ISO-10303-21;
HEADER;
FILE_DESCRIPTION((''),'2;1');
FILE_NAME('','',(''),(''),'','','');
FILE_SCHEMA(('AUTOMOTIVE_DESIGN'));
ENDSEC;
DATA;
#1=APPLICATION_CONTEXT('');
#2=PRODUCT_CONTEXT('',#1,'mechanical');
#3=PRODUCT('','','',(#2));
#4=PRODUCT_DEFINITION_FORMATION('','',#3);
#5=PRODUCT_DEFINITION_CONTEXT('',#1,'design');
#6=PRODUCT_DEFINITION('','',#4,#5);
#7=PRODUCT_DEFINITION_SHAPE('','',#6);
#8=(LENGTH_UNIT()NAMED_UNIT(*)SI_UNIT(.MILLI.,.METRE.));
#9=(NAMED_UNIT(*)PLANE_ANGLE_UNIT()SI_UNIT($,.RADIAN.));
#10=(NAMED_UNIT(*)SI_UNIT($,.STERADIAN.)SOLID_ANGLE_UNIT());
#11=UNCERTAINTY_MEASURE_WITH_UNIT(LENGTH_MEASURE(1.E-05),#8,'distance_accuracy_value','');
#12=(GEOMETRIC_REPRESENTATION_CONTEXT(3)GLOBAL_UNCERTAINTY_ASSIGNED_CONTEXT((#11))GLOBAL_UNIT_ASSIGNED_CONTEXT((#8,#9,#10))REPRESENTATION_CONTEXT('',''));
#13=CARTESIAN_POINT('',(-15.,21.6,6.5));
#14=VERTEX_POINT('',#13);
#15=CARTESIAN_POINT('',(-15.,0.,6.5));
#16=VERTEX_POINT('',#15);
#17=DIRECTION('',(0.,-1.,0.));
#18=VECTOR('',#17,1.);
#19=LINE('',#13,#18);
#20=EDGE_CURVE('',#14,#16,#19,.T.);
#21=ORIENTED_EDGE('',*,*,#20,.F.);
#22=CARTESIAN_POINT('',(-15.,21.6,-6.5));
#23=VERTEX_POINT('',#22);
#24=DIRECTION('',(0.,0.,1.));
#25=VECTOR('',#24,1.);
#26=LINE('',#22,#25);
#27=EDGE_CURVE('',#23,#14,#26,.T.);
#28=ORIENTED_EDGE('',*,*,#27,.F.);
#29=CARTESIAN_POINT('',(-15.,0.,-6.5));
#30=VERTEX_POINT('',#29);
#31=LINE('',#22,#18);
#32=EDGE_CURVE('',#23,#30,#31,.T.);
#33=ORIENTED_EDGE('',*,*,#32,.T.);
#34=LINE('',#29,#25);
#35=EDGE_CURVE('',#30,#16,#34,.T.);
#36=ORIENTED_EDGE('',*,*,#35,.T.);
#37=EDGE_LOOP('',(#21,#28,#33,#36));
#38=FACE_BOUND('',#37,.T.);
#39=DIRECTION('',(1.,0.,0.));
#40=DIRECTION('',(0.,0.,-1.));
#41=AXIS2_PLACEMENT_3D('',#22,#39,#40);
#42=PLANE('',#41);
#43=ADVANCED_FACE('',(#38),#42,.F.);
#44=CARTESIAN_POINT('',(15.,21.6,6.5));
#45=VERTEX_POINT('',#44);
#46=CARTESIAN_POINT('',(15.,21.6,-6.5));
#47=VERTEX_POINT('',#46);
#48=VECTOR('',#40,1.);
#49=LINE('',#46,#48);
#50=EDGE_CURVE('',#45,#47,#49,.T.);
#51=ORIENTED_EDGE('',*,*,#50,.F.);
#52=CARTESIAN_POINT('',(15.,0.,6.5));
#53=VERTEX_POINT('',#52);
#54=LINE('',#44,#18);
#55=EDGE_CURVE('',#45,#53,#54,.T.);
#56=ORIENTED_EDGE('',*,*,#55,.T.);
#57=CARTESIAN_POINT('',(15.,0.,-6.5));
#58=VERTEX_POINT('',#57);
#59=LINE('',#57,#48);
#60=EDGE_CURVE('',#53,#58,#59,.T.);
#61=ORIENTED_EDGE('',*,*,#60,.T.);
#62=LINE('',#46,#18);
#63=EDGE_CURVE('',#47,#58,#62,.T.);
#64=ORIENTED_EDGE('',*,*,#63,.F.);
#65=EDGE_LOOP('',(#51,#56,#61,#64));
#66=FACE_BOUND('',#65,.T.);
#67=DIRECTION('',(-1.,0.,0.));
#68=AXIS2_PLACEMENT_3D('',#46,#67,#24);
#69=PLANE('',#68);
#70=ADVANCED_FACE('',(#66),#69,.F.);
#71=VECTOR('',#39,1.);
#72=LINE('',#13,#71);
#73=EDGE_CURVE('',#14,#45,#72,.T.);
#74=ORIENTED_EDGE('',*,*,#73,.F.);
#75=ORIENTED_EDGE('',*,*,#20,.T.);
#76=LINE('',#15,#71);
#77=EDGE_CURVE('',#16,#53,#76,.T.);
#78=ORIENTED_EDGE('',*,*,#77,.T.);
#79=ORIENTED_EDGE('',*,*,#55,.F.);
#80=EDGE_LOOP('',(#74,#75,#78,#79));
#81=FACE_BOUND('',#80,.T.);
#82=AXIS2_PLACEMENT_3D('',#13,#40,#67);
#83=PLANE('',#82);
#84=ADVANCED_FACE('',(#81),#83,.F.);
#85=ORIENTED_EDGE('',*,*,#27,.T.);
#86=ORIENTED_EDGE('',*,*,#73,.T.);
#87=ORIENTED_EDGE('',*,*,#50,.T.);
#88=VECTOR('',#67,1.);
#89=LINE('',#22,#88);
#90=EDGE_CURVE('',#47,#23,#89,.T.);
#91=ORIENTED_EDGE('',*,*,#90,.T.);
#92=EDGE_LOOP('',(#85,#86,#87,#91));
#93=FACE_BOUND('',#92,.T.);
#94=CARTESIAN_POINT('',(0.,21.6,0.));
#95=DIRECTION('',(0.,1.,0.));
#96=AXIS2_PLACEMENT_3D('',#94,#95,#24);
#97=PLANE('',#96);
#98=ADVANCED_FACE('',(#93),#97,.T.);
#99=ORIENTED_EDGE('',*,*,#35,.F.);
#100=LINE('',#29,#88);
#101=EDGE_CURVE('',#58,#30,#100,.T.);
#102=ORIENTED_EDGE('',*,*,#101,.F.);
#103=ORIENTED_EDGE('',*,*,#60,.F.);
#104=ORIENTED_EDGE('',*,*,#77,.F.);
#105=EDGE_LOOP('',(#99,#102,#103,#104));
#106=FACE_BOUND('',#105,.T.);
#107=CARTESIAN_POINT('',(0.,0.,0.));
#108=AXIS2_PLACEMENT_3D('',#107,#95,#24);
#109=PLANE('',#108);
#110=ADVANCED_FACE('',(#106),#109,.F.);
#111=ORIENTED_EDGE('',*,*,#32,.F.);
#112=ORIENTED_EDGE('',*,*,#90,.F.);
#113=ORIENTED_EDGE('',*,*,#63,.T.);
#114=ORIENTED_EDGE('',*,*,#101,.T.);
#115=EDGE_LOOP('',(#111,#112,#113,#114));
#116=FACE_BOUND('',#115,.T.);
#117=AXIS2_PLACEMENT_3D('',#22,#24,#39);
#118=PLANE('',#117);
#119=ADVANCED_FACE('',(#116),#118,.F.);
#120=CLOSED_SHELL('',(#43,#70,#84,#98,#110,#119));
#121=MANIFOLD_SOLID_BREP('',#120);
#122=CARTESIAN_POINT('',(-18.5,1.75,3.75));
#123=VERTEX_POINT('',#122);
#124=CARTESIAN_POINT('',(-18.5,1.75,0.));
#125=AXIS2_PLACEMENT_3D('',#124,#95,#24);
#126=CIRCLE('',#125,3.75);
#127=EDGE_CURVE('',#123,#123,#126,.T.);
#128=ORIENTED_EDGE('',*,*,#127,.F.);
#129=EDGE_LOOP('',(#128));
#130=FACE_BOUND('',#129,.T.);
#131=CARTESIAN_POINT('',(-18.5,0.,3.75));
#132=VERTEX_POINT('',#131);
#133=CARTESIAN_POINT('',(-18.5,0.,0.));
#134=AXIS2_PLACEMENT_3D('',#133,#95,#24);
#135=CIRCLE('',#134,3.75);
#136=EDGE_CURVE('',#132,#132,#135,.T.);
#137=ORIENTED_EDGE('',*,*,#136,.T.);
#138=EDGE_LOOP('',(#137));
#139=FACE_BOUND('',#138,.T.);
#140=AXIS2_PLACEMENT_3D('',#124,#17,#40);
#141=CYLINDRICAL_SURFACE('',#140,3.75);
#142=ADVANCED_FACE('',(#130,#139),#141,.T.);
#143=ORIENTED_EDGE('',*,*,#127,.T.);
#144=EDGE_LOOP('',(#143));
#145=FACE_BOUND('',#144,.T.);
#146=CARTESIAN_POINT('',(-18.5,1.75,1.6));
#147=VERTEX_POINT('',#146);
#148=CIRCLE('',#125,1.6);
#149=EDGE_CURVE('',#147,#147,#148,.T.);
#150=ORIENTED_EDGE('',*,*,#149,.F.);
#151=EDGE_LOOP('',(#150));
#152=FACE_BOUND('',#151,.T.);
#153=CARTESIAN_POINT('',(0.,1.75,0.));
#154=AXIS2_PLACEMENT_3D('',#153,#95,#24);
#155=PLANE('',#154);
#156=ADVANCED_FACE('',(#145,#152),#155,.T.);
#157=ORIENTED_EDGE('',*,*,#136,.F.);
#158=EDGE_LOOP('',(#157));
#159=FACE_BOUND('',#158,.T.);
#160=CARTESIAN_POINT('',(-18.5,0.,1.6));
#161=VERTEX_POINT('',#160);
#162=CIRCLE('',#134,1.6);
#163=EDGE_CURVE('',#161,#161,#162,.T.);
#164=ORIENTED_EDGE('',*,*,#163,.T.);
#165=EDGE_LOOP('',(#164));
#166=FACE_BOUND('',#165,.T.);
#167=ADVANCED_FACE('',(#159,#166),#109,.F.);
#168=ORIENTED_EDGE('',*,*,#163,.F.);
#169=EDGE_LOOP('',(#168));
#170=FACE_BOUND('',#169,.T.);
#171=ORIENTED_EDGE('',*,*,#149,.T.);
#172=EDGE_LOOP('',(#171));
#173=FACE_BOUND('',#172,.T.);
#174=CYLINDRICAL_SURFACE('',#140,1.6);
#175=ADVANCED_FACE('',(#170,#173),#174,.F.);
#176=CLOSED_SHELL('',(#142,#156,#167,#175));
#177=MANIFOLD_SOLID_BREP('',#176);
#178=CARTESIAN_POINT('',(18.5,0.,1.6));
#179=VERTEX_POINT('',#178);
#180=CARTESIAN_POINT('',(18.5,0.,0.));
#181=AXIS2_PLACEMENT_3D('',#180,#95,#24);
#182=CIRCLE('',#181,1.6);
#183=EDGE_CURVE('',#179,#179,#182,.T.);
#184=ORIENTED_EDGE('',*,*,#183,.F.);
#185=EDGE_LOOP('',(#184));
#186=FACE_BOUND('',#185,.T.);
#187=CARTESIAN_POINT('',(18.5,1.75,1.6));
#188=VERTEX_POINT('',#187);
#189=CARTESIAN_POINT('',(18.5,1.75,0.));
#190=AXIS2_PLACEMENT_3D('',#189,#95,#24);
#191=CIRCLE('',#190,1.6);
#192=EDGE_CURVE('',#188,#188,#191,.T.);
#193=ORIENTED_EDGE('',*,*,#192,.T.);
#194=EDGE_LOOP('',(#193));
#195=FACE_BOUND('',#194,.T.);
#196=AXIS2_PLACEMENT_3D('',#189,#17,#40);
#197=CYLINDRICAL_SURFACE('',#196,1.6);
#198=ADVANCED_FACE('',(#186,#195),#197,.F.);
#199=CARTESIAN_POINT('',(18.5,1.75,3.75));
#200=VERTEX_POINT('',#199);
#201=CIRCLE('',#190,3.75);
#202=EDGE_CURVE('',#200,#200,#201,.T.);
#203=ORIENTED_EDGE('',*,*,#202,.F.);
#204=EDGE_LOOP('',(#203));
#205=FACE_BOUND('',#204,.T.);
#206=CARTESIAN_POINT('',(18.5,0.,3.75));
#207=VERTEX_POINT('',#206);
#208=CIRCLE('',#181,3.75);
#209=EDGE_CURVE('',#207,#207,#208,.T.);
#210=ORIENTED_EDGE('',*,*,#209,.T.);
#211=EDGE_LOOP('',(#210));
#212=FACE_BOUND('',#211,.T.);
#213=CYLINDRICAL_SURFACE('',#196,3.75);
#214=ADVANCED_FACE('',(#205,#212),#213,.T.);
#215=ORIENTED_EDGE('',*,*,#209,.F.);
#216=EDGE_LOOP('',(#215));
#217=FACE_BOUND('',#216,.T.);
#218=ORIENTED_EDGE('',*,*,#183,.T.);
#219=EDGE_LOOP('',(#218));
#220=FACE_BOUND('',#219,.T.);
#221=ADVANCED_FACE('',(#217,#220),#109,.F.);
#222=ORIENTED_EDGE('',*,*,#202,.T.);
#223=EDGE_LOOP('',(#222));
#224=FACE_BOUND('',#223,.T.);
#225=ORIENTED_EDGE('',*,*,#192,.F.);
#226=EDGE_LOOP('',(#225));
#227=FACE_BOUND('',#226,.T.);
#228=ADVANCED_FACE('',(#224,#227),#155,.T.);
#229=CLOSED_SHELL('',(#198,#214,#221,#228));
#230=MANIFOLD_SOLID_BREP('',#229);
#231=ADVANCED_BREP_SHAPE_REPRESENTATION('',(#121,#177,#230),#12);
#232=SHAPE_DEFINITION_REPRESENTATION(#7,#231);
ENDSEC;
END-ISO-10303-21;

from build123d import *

# Parameters (mm, degrees)
SKETCH1_R             = 3.75
SKETCH1_R_2           = 1.6
BOSS_EXTRUDE1_DEPTH   = 1.75
BOSS_EXTRUDE1_2_DEPTH = 1.75
SKETCH2_W             = 30
SKETCH2_H             = 13
BOSS_EXTRUDE2_DEPTH   = 21.6


with BuildPart() as part:
    # Sketch1 → Boss-Extrude1 (new body)
    with BuildSketch(Plane(origin=(0, 0, 0), x_dir=(1, 0, 0), z_dir=(0, 1, 0))):
        with Locations((-18.5, 0)):
            Circle(SKETCH1_R)
        with Locations((-18.5, 0)):
            Circle(SKETCH1_R_2, mode=Mode.SUBTRACT)
    extrude(amount=BOSS_EXTRUDE1_DEPTH)


with BuildPart() as body_2:
    # Sketch1 → Boss-Extrude1 2 (new body)
    with BuildSketch(Plane(origin=(0, 0, 0), x_dir=(1, 0, 0), z_dir=(0, 1, 0))):
        with Locations((18.5, 0)):
            Circle(SKETCH1_R)
        with Locations((18.5, 0)):
            Circle(SKETCH1_R_2, mode=Mode.SUBTRACT)
    extrude(amount=BOSS_EXTRUDE1_2_DEPTH)


with BuildPart() as body_3:
    # Sketch2 → Boss-Extrude2 (new body)
    with BuildSketch(Plane(origin=(0, 0, 0), x_dir=(1, 0, 0), z_dir=(0, 1, 0))):
        Rectangle(SKETCH2_W, SKETCH2_H)
    extrude(amount=BOSS_EXTRUDE2_DEPTH)


solid = Compound([part.part, body_2.part, body_3.part])
